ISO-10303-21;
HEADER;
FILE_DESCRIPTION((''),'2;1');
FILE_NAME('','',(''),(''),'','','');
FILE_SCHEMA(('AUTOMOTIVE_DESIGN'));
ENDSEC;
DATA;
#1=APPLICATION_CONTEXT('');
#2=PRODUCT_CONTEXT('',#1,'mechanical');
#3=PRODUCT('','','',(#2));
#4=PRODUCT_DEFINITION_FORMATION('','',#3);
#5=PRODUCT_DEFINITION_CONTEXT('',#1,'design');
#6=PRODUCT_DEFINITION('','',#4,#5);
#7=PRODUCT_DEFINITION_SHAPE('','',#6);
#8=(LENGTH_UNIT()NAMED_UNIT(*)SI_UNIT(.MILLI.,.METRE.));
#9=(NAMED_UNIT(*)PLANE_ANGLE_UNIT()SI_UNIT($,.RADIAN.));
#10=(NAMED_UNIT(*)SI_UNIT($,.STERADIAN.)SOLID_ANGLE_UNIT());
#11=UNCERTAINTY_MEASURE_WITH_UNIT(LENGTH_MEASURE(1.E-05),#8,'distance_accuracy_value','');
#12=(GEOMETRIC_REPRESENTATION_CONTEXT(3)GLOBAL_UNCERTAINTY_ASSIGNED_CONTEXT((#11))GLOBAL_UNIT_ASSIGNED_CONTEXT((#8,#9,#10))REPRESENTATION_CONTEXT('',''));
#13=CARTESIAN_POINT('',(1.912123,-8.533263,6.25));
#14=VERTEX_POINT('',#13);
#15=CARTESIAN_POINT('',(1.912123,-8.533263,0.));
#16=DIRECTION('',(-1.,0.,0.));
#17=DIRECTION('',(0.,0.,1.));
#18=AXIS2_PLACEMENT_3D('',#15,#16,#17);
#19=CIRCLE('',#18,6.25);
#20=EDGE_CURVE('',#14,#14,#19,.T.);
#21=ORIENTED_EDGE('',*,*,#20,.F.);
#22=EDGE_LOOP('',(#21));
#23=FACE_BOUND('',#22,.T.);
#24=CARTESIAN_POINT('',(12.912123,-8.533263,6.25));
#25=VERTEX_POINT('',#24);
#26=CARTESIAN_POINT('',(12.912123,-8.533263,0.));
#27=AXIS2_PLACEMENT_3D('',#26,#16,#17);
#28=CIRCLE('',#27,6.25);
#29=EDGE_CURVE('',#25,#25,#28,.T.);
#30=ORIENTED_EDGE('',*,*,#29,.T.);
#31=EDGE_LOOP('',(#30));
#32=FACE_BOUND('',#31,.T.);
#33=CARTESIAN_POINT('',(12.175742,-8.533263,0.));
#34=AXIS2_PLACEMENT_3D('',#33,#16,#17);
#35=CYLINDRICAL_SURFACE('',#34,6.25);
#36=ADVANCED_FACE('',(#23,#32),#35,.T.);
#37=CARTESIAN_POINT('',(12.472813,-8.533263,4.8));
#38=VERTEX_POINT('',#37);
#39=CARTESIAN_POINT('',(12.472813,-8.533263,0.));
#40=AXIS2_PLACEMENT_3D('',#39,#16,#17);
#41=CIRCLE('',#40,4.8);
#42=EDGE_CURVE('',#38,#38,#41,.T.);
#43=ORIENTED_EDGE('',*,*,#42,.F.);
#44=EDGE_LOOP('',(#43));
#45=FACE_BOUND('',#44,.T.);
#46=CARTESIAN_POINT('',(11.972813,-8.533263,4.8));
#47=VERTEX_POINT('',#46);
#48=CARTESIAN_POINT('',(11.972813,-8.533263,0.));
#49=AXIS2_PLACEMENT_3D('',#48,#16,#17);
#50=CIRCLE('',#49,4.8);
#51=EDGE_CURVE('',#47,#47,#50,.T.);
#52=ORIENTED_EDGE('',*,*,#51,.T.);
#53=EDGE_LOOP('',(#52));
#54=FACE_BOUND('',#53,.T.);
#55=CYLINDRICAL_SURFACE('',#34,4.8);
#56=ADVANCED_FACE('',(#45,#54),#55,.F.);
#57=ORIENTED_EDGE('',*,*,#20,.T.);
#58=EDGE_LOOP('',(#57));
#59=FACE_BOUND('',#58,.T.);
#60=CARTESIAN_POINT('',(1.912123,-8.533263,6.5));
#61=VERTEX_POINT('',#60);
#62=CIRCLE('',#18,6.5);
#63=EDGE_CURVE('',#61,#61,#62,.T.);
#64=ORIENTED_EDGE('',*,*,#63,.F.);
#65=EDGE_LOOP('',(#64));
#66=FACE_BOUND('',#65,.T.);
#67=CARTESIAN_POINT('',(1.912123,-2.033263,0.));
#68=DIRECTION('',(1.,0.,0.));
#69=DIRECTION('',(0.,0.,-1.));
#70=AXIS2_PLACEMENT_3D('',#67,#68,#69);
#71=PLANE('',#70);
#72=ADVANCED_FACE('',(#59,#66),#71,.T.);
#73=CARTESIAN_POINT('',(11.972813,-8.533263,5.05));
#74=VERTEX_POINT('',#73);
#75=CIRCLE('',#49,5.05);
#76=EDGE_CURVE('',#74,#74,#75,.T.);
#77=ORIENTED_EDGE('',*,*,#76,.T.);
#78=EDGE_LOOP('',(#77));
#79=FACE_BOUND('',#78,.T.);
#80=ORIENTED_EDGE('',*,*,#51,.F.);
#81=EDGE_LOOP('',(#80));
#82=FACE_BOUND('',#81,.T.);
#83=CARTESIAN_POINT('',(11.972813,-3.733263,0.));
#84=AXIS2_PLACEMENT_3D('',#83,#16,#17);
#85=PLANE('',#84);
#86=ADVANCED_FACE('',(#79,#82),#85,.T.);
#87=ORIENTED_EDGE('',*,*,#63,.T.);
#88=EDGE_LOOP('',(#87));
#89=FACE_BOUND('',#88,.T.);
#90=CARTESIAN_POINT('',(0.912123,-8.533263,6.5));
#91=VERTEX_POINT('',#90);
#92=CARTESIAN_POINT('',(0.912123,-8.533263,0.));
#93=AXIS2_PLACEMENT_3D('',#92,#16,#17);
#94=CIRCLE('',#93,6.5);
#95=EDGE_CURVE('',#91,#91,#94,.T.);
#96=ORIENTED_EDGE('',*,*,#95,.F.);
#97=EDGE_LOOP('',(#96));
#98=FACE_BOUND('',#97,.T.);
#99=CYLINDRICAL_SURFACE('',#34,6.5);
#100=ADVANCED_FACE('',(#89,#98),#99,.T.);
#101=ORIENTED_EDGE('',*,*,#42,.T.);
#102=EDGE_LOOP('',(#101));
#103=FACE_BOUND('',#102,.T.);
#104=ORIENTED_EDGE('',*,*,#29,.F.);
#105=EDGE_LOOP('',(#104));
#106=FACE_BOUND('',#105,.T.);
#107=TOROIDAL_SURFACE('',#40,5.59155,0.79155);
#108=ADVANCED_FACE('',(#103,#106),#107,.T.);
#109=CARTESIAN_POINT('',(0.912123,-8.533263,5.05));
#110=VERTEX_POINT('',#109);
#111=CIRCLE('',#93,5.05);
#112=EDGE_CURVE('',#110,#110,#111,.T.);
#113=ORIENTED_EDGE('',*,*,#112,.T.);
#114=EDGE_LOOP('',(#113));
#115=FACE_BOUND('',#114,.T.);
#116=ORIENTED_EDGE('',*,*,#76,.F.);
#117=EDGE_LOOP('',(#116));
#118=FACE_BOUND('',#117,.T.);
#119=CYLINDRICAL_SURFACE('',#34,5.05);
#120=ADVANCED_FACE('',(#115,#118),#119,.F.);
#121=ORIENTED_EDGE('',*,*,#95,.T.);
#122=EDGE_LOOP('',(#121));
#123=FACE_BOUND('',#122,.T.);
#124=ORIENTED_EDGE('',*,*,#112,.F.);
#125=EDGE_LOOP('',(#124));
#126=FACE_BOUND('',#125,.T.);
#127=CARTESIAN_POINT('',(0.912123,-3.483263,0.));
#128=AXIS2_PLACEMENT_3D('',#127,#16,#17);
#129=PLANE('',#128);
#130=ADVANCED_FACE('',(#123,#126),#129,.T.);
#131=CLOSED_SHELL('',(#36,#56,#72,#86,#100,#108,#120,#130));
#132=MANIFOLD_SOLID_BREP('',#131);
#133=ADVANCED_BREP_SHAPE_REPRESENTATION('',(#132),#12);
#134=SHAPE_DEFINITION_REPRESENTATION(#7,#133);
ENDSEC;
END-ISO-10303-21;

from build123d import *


with BuildPart() as part:
    # Sketch1 → Revolve1 (revolve)
    with BuildSketch(Plane(origin=(0, 0, 0), x_dir=(-1, 0, 0), z_dir=(0, 0, -1)), mode=Mode.PRIVATE) as revolve1_sk:
        with BuildLine():
            Line((-11.972812665, -3.733263235), (-11.972812665, -3.483263235))
            Line((-11.972812665, -3.483263235), (-0.912123334, -3.483263235))
            Line((-0.912123334, -3.483263235), (-0.912123334, -2.033263235))
            Line((-0.912123334, -2.033263235), (-1.912123334, -2.033263235))
            Line((-1.912123334, -2.033263235), (-1.912123334, -2.283263235))
            Line((-1.912123334, -2.283263235), (-12.912123334, -2.283263235))
            ThreePointArc((-12.912123334, -2.283263235), (-13.230357031, -3.171229021), (-12.472812665, -3.733263235))
            Line((-12.472812665, -3.733263235), (-11.972812665, -3.733263235))
        make_face()
    revolve(revolve1_sk.sketch.rotate(Axis((12.175741694, -8.533263235, 0), (-1, 0, 0)), 270), axis=Axis((12.175741694, -8.533263235, 0), (-1, 0, 0)))


solid = part.part
